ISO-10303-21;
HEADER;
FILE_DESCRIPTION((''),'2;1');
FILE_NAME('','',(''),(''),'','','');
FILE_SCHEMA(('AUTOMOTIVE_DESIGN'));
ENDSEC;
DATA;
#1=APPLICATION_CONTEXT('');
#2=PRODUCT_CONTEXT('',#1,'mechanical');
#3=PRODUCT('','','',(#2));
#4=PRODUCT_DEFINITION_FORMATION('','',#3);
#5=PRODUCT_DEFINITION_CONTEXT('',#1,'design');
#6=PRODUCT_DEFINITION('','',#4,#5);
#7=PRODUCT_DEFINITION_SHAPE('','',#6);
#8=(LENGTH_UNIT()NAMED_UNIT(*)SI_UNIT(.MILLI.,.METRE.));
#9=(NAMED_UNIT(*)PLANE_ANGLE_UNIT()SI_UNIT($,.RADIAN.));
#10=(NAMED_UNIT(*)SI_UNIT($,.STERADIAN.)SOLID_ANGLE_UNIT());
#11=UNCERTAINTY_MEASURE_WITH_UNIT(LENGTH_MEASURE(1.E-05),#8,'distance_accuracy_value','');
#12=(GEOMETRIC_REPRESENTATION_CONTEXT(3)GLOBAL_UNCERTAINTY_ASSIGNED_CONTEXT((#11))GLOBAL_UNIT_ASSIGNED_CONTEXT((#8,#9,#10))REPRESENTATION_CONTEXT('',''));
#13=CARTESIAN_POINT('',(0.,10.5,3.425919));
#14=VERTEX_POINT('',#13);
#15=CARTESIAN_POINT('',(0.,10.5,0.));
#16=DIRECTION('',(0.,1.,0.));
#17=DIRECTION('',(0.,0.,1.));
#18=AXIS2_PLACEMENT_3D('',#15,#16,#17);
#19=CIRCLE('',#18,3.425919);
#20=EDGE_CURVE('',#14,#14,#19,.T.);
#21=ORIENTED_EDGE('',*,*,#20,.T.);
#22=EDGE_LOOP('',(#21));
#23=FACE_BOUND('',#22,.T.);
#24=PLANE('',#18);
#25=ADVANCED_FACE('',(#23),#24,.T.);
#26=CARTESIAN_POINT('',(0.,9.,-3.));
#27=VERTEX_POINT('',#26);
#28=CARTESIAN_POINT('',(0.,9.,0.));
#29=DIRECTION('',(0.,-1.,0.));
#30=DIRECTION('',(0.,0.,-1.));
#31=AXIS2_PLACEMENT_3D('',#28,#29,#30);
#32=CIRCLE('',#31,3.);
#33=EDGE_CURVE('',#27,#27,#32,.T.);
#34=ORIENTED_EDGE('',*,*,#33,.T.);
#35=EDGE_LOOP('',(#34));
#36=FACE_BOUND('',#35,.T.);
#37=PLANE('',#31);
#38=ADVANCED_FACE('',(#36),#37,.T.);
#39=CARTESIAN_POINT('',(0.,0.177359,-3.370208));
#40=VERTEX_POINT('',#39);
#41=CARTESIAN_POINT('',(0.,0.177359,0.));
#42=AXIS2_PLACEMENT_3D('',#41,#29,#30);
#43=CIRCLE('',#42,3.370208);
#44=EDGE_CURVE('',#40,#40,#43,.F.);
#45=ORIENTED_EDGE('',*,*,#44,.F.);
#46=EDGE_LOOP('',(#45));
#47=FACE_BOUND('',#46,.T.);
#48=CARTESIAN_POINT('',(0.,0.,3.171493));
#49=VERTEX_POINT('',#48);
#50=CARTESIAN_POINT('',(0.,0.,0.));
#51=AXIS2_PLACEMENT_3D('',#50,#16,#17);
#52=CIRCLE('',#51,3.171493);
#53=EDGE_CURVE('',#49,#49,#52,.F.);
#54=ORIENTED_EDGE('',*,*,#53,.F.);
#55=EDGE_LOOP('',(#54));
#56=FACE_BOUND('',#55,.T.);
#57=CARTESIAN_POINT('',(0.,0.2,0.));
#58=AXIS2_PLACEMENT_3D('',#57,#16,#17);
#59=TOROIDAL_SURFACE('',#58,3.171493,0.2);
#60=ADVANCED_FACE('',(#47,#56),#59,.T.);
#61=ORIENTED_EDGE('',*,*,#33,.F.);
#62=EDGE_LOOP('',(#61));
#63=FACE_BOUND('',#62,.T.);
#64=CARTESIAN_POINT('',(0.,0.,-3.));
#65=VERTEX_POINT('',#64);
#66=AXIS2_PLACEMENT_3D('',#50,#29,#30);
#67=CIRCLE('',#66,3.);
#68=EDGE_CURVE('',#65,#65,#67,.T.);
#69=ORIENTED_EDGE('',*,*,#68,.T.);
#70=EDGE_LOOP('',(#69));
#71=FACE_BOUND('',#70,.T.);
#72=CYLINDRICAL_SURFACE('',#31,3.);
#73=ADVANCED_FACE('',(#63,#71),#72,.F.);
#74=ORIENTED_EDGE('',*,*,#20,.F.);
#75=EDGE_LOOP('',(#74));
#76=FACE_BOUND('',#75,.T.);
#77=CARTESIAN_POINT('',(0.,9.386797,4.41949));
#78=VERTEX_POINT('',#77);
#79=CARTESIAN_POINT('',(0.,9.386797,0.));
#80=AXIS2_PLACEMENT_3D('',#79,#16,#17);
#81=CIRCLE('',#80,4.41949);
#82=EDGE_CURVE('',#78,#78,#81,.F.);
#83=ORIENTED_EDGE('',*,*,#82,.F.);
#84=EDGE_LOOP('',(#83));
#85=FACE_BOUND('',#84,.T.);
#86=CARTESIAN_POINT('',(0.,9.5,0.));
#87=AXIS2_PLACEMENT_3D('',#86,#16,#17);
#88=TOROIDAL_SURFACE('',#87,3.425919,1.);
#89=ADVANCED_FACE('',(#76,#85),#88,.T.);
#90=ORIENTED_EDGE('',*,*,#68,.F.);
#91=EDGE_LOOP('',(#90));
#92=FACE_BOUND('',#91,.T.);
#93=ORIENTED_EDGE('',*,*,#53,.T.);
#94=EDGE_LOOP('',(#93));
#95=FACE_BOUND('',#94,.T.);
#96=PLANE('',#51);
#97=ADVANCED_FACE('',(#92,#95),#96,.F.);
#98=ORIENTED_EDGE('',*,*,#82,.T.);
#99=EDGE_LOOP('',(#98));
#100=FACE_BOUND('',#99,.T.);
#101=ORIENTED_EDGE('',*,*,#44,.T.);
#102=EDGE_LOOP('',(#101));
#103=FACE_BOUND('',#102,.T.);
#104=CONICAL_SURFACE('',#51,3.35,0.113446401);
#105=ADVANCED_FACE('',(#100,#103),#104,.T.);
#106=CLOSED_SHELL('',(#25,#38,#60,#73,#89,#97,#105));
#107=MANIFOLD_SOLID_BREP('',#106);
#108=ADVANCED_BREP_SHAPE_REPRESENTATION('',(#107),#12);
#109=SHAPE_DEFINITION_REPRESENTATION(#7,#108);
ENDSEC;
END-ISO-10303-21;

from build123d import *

# Parameters (mm, degrees)
SKETCH_1_R          = 3.35
EXTRUDE_1_DEPTH     = 10.5
EXTRUDE_1_DRAFT     = -6.5
SKETCH_2_R          = 3
CUT_EXTRUDE_1_DEPTH = 9
FILLET_1_R          = 1
FILLET_2_R          = 0.2


with BuildPart() as part:
    # Эскиз1 → Бобышка-Вытянуть1 (with draft: the straight prism first)
    with BuildSketch(Plane(origin=(0, 0, 0), x_dir=(1, 0, 0), z_dir=(0, 1, 0))):
        Circle(SKETCH_1_R)
    extrude(amount=EXTRUDE_1_DEPTH)
    # Бобышка-Вытянуть1: the draft: its side faces are tilted about the plane it starts from
    extrude_1_sides = [part.faces().sort_by_distance(p)[0] for p in [
        (-3.35, 5.25, 0),
    ]]
    draft(extrude_1_sides, Plane(origin=(0, 0, 0), x_dir=(1, 0, 0), z_dir=(0, 1, 0)), EXTRUDE_1_DRAFT)

    # Эскиз2 → Вырез-Вытянуть1 (cut)
    with BuildSketch(Plane.XZ):
        with Locations(Location((0, 0, 0), (0, 0, 270))):
            Circle(SKETCH_2_R)
    extrude(amount=-CUT_EXTRUDE_1_DEPTH, mode=Mode.SUBTRACT)

    # Скругление1
    fillet_1_edges = [part.edges().sort_by_distance(p)[0] for p in [
        (-4.546323887, 10.5, 0),
    ]]
    fillet(fillet_1_edges, radius=FILLET_1_R)

    # Скругление2
    fillet_2_edges = [part.edges().sort_by_distance(p)[0] for p in [
        (-3.35, 0, 0),
    ]]
    fillet(fillet_2_edges, radius=FILLET_2_R)


solid = part.part
